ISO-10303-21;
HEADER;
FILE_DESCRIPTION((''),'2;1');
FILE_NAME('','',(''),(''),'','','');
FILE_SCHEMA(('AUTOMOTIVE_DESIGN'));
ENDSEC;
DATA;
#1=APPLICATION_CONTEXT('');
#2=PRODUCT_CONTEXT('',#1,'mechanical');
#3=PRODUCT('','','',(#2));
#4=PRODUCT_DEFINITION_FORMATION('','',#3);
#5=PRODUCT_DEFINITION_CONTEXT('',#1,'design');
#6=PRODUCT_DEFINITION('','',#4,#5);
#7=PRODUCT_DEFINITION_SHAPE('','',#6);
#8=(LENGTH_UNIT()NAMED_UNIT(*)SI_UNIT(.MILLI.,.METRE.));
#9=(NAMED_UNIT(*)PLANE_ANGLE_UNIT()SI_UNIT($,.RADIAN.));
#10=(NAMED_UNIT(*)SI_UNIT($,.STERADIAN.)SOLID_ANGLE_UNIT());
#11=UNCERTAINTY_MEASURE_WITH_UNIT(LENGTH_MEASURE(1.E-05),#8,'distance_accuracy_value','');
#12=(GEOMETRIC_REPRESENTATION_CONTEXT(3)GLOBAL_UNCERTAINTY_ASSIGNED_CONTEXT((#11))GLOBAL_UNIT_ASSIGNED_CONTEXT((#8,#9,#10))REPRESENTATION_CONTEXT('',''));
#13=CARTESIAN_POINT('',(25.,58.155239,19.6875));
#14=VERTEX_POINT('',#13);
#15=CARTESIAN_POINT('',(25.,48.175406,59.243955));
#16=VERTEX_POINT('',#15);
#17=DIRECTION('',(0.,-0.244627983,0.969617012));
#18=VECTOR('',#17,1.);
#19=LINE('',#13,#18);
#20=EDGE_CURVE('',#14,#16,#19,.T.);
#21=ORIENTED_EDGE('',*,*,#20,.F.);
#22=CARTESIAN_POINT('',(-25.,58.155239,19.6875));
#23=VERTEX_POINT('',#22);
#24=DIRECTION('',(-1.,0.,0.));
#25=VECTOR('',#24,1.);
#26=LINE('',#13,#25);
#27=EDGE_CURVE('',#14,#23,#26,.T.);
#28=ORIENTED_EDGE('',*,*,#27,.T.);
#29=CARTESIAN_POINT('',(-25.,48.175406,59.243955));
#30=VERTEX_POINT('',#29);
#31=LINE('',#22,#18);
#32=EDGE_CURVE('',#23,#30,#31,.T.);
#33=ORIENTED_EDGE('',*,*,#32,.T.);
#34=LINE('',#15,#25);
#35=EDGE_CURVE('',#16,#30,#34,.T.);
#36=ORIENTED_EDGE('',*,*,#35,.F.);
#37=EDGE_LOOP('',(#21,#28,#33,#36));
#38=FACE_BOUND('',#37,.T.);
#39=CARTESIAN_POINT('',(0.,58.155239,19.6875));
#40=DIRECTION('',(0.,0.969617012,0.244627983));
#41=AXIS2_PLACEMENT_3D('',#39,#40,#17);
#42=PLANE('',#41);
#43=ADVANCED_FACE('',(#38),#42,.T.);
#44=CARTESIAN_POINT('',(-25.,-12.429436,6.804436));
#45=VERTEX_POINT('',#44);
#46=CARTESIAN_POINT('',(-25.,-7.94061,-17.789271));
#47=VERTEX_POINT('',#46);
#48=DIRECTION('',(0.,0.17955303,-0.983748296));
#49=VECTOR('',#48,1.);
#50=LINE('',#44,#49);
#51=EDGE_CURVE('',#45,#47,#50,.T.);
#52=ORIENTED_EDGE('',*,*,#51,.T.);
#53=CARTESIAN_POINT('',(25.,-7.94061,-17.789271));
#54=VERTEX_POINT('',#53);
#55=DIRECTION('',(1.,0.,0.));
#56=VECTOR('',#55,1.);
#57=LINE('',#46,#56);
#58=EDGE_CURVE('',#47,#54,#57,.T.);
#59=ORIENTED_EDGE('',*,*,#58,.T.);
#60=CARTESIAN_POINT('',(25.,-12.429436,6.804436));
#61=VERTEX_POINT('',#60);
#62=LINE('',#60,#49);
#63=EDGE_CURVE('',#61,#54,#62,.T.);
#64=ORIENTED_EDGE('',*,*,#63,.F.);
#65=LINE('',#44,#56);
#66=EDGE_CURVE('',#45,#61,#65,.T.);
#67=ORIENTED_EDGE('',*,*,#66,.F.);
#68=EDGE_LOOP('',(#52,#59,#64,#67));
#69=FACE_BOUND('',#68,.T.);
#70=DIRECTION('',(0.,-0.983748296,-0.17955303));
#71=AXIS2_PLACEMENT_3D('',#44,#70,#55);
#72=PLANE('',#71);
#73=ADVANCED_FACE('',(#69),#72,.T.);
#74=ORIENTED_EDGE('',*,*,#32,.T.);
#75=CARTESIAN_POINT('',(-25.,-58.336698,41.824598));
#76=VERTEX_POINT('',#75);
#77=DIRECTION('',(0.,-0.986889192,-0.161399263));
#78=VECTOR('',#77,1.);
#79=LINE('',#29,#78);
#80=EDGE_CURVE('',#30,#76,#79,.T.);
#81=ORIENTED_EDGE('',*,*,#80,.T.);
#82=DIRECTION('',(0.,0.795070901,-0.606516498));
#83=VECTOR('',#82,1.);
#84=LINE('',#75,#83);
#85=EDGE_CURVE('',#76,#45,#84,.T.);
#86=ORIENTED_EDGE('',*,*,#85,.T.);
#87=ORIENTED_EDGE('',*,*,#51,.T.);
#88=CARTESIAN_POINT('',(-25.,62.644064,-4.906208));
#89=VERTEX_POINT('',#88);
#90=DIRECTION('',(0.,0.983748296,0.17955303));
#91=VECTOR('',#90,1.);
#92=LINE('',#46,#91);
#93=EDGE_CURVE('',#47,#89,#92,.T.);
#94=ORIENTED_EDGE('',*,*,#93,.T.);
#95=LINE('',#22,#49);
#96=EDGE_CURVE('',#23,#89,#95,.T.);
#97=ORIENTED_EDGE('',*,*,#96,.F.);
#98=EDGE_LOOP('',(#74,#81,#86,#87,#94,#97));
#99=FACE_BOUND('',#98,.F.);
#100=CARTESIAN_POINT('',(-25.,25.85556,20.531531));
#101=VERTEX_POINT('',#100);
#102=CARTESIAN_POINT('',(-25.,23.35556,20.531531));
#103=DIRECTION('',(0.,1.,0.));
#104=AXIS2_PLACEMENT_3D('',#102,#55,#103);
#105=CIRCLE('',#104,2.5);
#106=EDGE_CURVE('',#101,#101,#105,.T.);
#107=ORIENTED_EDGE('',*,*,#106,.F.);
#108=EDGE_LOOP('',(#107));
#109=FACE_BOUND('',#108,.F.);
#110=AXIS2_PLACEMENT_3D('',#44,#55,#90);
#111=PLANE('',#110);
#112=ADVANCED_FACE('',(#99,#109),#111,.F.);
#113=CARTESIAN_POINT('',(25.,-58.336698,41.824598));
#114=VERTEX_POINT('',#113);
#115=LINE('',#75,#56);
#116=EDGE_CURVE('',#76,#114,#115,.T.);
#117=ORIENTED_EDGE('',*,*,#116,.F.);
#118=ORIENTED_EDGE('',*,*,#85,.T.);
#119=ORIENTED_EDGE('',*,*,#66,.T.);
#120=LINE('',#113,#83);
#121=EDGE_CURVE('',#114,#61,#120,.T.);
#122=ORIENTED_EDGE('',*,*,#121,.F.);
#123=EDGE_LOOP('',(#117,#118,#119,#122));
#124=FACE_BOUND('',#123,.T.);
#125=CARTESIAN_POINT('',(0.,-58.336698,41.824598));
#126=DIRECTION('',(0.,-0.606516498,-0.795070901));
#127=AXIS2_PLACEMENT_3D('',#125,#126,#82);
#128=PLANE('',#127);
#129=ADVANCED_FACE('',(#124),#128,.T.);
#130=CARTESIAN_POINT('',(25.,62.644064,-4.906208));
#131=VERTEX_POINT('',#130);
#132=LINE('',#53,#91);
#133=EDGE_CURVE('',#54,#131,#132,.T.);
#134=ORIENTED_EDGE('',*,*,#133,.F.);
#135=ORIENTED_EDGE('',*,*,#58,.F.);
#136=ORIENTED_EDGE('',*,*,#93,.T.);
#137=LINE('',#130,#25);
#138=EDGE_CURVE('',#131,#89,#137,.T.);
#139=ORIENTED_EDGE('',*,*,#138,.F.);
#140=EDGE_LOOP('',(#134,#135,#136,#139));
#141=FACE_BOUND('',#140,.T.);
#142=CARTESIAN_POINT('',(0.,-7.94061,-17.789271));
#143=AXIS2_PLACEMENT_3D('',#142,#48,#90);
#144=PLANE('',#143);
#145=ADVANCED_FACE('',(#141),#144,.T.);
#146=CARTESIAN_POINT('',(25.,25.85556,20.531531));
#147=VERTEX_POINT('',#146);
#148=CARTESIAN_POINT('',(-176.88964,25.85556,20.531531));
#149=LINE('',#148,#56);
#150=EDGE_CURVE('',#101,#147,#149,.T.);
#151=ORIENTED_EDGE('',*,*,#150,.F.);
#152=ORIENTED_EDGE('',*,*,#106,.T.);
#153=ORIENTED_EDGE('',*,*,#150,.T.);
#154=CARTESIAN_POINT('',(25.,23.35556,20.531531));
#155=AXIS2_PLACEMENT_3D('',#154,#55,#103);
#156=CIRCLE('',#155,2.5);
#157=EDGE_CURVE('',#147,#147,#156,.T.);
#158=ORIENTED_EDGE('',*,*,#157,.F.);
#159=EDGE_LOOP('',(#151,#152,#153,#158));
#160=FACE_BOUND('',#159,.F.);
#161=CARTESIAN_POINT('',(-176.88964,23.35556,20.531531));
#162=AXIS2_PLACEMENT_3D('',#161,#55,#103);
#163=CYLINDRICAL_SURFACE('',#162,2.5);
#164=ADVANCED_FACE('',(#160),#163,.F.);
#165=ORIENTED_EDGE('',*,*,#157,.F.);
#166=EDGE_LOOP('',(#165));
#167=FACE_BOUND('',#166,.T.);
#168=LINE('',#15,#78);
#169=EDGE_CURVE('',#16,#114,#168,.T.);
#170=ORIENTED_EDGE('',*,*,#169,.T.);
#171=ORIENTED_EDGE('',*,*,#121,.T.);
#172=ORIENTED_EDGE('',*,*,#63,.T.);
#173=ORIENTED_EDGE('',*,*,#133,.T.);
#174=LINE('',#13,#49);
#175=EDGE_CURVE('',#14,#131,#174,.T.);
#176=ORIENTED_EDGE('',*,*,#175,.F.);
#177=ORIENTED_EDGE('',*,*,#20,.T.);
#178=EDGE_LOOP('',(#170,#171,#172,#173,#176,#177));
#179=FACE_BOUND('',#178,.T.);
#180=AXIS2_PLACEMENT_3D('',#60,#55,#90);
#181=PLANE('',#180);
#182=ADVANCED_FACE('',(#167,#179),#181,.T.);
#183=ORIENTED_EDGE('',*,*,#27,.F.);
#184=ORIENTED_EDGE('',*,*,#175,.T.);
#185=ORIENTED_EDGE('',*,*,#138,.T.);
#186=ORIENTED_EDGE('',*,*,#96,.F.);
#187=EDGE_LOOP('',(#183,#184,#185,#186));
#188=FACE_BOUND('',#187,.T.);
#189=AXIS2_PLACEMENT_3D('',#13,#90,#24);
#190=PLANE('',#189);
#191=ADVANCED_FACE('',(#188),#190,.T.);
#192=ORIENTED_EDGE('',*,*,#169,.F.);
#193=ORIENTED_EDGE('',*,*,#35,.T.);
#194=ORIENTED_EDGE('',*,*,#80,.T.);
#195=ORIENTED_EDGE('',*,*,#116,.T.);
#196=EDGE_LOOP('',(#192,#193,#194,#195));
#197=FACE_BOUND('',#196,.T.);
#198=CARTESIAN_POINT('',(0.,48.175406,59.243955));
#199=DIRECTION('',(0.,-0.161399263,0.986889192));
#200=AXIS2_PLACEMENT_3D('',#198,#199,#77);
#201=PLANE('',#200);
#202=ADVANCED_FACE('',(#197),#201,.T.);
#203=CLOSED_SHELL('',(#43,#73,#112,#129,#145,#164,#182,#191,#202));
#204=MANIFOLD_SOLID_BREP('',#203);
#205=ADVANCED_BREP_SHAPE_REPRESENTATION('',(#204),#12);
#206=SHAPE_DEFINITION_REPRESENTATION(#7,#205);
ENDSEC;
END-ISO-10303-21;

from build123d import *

# Parameters (mm, degrees)
F1_DEPTH      = 25
F1_DEPTH_BACK = 25
F2_DEPTH      = 25
F4_D          = 5


with BuildPart() as f1:
    # F0 (on Right) → F1 (new body, two sides)
    with BuildSketch(Plane.YZ) as f1_sk:
        Polygon((48.1754057109, 59.2439547181), (-58.3366975188, 41.8245978653), (-12.4294357374, 6.8044359796), (58.1552386284, 19.687499851), align=None)
    extrude(amount=F1_DEPTH)
    extrude(f1_sk.sketch, amount=-F1_DEPTH_BACK)

    # F2 (add): a face of the model
    f2_faces = [f1.faces().sort_by_distance(p)[0] for p in [
        (0, 22.8629014455, 13.2459679153),
    ]]
    extrude(f2_faces, amount=F2_DEPTH)

    # F4 (through all)
    with Locations(Plane(origin=(-25, 0, 0), x_dir=(0, -1, 0), z_dir=(-1, 0, 0))):
        with Locations((-23.3555603772, 20.5315314233)):
            Hole(F4_D / 2)


solid = f1.part
